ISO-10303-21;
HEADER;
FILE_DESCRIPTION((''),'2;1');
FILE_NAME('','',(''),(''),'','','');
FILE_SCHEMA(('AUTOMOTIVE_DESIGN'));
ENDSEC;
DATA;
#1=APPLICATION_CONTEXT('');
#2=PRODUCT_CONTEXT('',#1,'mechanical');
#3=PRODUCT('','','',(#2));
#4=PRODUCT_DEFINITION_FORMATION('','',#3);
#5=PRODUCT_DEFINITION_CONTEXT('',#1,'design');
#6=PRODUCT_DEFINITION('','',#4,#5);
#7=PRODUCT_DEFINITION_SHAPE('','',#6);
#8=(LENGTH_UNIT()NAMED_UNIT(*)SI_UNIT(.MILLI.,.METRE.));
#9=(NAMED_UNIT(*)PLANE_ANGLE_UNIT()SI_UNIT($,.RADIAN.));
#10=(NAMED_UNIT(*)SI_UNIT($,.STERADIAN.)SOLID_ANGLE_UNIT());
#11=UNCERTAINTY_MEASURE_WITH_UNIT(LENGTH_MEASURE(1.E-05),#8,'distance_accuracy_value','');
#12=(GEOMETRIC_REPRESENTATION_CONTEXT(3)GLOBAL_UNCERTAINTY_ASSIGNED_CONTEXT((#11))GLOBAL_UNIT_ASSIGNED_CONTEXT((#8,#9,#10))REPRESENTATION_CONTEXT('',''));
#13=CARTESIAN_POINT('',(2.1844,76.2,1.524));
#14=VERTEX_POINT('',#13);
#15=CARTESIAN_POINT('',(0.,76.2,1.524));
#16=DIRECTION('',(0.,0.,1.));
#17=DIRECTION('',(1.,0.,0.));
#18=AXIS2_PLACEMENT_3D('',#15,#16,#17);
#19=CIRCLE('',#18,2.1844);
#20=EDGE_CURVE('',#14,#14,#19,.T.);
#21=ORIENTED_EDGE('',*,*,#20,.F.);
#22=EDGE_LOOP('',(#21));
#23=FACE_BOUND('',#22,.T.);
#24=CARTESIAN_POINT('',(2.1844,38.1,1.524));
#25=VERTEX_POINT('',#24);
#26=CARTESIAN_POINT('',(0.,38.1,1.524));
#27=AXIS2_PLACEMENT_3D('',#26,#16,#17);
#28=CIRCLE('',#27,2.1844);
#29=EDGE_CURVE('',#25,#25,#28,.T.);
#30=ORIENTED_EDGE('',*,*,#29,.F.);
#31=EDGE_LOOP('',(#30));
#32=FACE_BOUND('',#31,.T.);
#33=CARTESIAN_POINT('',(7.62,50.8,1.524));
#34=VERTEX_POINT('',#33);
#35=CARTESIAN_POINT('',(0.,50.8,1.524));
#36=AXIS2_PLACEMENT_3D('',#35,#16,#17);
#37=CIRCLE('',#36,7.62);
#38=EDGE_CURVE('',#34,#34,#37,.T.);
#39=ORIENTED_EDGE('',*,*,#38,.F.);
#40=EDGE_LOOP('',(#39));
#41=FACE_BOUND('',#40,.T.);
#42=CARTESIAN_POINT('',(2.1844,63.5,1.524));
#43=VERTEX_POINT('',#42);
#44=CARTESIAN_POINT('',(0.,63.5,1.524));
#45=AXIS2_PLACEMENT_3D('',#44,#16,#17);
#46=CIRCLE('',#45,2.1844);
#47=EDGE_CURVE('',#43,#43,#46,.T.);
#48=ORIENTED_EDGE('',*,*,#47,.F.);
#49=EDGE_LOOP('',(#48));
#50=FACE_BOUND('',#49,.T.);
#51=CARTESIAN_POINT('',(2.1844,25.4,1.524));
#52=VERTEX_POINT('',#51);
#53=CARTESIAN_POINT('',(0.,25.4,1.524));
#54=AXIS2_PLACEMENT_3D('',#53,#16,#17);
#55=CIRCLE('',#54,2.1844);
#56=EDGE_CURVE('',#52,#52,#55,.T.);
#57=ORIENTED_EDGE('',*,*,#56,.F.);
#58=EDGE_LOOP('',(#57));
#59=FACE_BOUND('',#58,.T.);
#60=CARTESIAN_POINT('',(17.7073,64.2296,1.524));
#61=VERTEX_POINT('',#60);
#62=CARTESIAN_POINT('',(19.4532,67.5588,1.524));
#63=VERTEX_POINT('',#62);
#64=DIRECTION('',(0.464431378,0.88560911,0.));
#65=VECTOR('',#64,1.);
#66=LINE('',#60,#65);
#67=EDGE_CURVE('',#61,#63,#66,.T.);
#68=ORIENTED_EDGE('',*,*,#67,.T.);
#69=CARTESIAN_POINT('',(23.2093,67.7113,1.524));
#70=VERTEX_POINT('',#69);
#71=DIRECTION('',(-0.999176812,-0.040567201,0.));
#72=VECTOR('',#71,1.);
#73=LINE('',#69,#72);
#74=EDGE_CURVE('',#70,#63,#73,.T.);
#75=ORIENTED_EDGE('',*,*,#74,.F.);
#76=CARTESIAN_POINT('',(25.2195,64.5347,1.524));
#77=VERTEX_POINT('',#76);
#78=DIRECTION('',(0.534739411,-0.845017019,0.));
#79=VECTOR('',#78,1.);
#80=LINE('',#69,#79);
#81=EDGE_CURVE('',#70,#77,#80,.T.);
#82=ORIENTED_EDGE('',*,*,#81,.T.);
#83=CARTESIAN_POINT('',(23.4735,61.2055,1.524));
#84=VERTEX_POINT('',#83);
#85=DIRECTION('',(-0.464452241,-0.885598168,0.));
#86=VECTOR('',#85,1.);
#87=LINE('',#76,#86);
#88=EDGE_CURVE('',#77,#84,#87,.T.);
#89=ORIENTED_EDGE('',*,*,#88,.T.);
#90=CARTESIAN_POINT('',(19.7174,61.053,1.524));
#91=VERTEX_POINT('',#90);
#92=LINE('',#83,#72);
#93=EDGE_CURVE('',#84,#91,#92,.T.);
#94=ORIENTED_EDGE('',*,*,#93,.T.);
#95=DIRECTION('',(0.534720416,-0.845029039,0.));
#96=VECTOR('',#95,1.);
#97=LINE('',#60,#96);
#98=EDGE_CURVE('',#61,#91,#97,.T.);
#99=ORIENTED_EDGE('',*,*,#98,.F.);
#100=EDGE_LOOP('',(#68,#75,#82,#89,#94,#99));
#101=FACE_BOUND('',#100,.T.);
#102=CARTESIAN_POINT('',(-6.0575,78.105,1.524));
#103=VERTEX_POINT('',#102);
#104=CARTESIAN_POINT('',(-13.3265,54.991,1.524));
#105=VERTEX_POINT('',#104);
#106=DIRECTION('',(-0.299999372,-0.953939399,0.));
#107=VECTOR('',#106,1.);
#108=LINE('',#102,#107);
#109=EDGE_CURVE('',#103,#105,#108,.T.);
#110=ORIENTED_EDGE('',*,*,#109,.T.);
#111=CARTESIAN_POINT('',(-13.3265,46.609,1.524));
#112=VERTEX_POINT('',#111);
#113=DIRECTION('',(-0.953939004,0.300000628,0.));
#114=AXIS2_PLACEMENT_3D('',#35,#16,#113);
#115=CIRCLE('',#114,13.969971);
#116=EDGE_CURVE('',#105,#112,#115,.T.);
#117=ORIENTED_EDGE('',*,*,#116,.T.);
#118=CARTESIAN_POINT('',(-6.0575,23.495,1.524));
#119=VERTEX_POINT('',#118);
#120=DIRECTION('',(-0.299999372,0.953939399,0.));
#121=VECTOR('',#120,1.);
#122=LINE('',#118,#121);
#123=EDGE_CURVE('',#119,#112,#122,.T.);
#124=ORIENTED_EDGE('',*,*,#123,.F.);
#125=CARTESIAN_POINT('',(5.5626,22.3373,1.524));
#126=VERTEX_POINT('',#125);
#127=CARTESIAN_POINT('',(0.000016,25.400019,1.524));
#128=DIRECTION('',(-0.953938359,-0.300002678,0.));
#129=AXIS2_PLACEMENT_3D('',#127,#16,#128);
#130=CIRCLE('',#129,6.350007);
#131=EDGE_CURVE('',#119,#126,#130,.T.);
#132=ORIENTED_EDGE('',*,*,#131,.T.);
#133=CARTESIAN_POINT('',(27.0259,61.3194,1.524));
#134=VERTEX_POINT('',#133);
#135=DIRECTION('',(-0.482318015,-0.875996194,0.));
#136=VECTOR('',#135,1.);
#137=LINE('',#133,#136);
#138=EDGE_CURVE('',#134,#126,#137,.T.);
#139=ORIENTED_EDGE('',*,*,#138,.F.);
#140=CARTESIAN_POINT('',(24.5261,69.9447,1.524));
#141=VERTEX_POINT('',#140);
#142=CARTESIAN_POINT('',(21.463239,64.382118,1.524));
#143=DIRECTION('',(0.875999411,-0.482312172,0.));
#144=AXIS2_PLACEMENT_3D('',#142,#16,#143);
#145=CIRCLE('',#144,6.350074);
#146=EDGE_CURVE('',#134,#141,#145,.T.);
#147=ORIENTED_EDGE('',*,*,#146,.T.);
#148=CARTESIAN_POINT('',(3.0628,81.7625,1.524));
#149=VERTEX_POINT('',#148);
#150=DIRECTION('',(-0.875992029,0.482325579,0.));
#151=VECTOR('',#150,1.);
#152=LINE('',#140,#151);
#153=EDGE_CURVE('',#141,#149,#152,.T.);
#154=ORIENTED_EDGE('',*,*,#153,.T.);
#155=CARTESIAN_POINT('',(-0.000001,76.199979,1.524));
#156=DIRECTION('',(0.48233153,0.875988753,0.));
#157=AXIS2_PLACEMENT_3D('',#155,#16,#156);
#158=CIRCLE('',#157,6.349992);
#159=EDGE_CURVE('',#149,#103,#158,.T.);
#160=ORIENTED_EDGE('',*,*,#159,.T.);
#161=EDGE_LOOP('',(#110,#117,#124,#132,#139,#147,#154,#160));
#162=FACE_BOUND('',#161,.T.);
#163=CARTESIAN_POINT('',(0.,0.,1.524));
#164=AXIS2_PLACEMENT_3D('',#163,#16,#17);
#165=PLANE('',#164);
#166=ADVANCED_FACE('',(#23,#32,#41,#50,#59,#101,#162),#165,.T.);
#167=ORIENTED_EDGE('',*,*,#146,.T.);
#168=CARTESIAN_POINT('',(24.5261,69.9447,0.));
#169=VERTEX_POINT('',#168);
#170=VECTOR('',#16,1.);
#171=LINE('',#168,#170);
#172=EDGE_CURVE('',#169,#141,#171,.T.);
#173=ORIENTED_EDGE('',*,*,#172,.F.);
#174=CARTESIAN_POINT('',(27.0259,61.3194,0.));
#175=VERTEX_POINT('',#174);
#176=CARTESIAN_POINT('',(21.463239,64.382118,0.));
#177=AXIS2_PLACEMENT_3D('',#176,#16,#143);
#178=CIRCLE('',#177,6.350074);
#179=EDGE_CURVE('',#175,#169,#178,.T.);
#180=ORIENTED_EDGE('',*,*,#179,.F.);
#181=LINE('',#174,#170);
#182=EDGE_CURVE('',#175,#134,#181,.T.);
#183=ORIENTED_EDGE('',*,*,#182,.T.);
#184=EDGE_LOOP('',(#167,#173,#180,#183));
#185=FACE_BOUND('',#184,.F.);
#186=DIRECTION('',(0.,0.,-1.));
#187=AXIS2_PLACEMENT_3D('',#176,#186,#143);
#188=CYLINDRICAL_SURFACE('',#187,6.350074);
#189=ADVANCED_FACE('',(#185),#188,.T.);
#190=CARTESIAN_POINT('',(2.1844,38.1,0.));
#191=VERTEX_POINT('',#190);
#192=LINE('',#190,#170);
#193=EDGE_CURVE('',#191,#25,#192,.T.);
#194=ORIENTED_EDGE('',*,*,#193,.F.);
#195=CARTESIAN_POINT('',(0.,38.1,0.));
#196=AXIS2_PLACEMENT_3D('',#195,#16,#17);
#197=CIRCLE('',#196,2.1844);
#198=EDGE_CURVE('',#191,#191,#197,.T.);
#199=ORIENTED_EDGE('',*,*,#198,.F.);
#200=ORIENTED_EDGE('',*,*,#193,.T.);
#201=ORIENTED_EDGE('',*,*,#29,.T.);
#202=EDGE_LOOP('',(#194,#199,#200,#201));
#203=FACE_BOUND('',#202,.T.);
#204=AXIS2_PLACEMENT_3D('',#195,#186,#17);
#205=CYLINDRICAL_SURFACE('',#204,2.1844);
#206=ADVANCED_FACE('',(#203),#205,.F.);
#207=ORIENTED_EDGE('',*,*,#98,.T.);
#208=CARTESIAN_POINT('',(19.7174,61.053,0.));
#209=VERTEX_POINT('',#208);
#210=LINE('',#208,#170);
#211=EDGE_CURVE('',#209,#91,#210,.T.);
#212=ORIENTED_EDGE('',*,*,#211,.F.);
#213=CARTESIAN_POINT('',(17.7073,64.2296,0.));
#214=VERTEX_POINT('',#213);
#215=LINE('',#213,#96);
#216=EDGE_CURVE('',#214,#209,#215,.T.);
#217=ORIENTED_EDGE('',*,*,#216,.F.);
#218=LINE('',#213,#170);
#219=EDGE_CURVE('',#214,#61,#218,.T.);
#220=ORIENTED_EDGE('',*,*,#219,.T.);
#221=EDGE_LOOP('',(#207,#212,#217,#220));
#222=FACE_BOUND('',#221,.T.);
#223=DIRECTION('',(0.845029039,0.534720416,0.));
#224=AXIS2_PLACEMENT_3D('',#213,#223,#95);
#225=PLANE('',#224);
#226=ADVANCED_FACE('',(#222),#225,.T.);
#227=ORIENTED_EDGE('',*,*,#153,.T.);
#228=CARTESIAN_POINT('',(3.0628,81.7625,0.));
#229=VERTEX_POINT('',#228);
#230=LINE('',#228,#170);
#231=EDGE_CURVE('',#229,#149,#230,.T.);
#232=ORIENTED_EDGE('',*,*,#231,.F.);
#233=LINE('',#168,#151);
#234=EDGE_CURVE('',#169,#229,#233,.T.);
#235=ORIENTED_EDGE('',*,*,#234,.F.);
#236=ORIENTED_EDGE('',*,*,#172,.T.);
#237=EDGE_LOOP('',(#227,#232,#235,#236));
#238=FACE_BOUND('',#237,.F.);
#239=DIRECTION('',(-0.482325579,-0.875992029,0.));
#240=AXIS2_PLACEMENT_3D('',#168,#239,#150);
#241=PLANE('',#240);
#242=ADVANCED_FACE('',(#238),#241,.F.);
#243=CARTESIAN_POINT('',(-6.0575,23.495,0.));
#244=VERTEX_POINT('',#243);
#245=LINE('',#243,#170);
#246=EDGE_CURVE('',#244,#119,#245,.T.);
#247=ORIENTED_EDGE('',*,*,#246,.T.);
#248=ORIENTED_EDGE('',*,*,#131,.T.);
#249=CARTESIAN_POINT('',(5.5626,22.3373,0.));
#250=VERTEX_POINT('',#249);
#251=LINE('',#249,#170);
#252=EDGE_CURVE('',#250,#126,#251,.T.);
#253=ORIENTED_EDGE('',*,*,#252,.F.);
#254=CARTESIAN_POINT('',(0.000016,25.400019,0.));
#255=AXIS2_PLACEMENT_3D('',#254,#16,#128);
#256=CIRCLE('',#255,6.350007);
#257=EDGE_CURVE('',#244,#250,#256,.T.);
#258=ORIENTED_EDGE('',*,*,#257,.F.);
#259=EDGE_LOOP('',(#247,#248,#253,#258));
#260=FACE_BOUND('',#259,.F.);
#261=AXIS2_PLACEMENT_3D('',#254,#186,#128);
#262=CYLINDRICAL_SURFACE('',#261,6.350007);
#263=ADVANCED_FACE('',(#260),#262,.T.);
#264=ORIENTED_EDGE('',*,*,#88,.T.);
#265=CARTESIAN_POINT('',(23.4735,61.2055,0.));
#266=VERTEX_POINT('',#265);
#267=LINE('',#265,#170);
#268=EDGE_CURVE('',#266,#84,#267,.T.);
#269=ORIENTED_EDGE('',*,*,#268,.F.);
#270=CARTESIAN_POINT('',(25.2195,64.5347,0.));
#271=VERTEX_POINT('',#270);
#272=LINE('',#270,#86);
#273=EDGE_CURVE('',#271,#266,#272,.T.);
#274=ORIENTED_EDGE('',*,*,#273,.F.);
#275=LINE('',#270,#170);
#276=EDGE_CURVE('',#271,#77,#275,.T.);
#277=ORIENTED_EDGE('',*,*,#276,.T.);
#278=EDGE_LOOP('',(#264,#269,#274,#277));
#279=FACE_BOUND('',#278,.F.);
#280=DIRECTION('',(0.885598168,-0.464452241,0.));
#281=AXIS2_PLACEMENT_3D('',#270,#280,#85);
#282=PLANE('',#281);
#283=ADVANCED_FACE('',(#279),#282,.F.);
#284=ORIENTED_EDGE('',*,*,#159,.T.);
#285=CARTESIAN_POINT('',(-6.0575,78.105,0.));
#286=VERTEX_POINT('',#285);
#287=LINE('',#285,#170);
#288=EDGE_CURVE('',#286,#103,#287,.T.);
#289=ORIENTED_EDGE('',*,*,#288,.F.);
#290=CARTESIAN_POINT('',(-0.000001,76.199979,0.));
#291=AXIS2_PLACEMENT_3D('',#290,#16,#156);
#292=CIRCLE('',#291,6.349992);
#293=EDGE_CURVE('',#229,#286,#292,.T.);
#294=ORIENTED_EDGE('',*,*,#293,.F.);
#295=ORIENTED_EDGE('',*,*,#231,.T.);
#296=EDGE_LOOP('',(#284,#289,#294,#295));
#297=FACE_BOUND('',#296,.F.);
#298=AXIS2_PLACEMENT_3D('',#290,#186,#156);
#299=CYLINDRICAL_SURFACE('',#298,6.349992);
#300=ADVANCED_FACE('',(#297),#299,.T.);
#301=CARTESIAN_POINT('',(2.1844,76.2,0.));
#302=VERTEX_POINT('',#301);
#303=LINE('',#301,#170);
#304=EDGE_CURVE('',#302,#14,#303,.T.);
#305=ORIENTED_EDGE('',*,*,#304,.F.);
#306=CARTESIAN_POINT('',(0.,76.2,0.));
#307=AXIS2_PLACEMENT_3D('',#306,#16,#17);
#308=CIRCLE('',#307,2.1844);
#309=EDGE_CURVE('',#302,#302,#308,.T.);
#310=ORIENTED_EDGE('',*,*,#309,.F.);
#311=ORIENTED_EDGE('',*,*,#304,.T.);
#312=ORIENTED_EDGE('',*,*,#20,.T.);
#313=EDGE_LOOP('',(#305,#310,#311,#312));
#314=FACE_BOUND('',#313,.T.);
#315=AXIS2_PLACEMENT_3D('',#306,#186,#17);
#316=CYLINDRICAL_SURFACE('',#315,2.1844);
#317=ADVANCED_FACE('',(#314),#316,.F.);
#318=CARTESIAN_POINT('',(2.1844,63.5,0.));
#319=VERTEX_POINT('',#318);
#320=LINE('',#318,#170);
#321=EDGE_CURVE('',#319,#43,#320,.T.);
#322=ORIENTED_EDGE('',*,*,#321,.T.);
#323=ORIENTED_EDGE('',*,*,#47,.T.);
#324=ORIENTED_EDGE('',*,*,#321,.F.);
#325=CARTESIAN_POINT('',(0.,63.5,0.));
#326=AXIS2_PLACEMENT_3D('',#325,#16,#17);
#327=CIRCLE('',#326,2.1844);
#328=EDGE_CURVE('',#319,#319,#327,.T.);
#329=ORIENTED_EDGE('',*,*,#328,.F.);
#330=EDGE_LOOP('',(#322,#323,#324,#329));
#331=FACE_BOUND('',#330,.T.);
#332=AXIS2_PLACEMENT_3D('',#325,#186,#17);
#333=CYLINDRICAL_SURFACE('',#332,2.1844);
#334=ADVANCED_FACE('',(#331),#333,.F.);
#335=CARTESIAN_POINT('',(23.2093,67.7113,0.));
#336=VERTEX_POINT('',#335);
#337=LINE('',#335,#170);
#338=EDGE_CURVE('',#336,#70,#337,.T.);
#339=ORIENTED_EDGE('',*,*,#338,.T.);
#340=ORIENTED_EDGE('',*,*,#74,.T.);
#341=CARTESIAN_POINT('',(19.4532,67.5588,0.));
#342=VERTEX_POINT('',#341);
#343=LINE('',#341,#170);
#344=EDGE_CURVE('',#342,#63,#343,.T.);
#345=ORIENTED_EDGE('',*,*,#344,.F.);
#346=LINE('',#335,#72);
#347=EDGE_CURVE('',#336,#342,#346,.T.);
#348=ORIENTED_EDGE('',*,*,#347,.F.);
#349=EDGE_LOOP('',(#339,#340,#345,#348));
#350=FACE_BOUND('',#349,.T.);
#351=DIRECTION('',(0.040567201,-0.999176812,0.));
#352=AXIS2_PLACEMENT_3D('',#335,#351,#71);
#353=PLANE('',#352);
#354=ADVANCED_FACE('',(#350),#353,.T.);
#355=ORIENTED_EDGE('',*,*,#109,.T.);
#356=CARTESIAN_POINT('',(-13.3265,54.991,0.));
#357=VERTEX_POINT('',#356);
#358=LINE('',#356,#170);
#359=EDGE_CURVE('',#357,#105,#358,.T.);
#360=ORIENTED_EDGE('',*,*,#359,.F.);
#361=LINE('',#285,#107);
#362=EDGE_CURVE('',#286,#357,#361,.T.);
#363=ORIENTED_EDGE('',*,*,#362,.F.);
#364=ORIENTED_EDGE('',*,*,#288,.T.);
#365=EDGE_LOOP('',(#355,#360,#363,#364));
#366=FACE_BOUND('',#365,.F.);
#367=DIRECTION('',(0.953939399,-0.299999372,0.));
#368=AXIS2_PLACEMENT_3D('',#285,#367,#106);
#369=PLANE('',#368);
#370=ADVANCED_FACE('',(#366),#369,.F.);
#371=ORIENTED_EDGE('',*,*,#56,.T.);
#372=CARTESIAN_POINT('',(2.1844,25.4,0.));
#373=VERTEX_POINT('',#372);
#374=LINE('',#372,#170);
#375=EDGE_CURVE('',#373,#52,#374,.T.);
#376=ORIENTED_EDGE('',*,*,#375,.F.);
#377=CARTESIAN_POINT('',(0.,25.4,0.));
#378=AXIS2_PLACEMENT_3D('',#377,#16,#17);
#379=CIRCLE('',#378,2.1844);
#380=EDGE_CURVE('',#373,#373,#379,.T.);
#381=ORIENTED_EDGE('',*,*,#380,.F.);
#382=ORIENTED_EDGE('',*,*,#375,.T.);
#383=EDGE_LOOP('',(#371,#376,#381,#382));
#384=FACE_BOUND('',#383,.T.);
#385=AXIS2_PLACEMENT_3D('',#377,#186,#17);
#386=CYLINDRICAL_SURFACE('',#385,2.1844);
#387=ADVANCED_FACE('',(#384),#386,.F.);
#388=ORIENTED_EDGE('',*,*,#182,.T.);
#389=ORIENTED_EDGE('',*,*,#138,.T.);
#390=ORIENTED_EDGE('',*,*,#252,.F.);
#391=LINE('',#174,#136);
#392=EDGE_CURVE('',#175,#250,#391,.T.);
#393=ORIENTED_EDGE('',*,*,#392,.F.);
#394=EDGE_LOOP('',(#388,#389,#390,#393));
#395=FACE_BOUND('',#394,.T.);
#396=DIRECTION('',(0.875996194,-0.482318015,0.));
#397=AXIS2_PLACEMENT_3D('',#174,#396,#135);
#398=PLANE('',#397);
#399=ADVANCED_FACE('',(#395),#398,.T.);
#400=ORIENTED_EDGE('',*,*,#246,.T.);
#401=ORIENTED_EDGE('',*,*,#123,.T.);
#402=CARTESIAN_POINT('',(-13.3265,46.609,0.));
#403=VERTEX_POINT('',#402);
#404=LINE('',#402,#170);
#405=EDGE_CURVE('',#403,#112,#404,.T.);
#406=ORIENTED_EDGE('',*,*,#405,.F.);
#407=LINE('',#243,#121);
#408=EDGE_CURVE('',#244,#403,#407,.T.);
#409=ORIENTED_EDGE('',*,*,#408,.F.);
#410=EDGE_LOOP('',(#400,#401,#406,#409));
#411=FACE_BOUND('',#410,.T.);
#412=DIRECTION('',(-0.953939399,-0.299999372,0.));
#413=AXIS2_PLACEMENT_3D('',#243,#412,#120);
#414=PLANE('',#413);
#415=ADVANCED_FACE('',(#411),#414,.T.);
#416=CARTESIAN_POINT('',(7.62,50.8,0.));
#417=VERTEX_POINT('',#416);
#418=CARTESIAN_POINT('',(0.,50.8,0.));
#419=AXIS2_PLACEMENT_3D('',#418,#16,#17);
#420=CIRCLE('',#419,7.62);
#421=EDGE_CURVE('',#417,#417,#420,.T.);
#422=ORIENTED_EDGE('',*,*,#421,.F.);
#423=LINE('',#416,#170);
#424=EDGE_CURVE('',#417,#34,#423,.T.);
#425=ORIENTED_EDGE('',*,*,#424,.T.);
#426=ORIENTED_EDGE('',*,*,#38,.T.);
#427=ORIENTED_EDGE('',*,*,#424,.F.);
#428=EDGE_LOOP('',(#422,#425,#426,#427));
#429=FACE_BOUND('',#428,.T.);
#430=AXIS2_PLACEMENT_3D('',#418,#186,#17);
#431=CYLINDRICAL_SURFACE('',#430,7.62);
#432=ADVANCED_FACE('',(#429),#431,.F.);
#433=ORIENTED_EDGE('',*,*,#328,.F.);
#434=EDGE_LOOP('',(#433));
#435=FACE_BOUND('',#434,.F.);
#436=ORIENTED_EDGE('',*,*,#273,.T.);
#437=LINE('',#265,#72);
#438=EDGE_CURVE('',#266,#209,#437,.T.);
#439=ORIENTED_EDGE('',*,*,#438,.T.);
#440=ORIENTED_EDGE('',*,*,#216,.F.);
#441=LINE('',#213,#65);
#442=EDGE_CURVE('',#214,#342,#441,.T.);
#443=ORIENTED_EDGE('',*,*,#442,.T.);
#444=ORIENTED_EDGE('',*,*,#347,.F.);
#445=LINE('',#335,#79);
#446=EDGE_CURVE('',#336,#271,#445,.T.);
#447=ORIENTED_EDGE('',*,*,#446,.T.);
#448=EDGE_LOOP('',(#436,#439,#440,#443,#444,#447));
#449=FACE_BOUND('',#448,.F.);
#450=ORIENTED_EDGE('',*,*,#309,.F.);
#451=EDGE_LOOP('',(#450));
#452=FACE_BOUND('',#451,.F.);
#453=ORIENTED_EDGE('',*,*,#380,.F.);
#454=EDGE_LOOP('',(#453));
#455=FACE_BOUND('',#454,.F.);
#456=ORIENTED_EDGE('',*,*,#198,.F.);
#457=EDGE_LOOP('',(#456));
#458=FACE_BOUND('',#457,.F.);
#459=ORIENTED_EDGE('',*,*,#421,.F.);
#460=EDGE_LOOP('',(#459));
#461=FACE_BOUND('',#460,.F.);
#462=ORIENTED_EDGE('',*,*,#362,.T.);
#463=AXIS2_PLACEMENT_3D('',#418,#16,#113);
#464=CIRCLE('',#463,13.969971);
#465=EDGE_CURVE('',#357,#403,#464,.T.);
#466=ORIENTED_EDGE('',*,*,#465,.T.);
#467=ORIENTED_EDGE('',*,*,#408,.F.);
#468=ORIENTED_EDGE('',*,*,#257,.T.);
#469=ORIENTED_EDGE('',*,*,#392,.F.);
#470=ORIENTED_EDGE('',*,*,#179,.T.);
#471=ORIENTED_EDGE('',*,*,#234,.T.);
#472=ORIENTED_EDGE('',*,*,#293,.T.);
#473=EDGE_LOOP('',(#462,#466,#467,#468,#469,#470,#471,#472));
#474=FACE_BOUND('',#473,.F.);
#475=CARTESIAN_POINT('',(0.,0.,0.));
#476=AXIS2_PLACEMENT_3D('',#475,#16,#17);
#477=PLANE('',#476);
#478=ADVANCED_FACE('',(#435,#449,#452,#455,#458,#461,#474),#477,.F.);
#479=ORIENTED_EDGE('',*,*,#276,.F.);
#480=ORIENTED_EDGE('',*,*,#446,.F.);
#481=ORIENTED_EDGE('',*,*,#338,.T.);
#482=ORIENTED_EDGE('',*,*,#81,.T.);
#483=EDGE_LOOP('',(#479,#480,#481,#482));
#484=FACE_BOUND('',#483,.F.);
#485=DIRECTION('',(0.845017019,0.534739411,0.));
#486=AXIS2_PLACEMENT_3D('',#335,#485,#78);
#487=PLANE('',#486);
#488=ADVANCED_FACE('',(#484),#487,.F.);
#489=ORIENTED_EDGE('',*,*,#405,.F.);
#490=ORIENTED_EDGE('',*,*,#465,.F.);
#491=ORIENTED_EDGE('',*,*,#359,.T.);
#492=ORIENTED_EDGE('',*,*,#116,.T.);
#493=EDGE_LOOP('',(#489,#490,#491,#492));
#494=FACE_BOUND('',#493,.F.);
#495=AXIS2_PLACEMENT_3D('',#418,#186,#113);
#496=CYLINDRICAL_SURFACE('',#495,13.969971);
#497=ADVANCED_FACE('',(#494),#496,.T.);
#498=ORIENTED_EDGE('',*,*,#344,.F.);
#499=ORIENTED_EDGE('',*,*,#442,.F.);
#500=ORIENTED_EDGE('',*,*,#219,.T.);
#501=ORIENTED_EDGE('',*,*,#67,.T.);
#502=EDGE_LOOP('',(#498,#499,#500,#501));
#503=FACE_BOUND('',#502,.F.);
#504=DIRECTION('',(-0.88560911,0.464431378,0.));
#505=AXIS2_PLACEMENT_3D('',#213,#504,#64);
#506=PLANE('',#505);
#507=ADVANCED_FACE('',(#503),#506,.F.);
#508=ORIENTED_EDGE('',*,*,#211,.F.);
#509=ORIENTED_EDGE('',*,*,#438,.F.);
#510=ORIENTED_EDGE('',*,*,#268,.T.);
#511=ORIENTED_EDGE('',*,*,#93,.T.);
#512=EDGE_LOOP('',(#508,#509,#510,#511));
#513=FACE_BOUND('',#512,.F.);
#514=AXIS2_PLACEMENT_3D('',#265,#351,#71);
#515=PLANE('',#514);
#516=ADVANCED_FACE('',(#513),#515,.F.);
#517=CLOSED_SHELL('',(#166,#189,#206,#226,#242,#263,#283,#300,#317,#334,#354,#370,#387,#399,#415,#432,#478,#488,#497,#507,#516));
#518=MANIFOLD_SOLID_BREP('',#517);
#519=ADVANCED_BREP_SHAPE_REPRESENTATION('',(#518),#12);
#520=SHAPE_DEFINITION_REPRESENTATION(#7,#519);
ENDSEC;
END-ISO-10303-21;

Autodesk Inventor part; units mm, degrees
ref_plane "YZ Plane" through (0, 0, 0) normal (1, 0, 0) x (0, 1, 0)
ref_plane "XZ Plane" through (0, 0, 0) normal (0, 1, 0) x (-1, 0, 0)
ref_plane "XY Plane" through (0, 0, 0) normal (0, 0, 1) x (1, 0, 0)
sketch "Sketch1" plane through (0, 0, 0) normal (0, 0, 1) x (1, 0, 0)
  circle A0 centre (0, 38.1) radius 2.1844 projected
  circle A1 centre (0, 25.4) radius 2.1844 projected
  circle A2 centre (0, 76.2) radius 2.1844 projected
  circle A3 centre (0, 63.5) radius 2.1844 projected
  line L0 (23.4735, 61.2055) -> (19.7174, 61.053)
  line L1 (17.7073, 64.2296) -> (19.7174, 61.053)
  line L2 (17.7073, 64.2296) -> (19.4532, 67.5588)
  line L3 (23.2093, 67.7113) -> (19.4532, 67.5588)
  line L4 (23.2093, 67.7113) -> (25.2195, 64.5347)
  line L5 (25.2195, 64.5347) -> (23.4735, 61.2055)
  circle A4 centre (0, 50.8) radius 7.62
  line L6 (27.0259, 61.3194) -> (5.5626, 22.3373)
  line L7 (24.5261, 69.9447) -> (3.0628, 81.7625)
  line L8 (-6.0575, 78.105) -> (-13.3265, 54.991)
  line L9 (-6.0575, 23.495) -> (-13.3265, 46.609)
  arc A5 (-6.0575, 23.495) -> (5.5626, 22.3373) centre (0, 25.4) ccw
  arc A6 (3.0628, 81.7625) -> (-6.0575, 78.105) centre (0, 76.2) ccw
  arc A7 (27.0259, 61.3194) -> (24.5261, 69.9447) centre (21.4634, 64.3821) ccw
  arc A8 (-13.3265, 54.991) -> (-13.3265, 46.609) centre (0, 50.8) ccw
  point P0 (0, 0)
  point P1 (23.4238, 61.2841)
  point P2 (10.7317, 70.2911)
  dimension "d10" = 15.24
extrude "Extrusion1" add sketch "Sketch1" along normal blind 1.524
properties part number "pto-linear-guide"
